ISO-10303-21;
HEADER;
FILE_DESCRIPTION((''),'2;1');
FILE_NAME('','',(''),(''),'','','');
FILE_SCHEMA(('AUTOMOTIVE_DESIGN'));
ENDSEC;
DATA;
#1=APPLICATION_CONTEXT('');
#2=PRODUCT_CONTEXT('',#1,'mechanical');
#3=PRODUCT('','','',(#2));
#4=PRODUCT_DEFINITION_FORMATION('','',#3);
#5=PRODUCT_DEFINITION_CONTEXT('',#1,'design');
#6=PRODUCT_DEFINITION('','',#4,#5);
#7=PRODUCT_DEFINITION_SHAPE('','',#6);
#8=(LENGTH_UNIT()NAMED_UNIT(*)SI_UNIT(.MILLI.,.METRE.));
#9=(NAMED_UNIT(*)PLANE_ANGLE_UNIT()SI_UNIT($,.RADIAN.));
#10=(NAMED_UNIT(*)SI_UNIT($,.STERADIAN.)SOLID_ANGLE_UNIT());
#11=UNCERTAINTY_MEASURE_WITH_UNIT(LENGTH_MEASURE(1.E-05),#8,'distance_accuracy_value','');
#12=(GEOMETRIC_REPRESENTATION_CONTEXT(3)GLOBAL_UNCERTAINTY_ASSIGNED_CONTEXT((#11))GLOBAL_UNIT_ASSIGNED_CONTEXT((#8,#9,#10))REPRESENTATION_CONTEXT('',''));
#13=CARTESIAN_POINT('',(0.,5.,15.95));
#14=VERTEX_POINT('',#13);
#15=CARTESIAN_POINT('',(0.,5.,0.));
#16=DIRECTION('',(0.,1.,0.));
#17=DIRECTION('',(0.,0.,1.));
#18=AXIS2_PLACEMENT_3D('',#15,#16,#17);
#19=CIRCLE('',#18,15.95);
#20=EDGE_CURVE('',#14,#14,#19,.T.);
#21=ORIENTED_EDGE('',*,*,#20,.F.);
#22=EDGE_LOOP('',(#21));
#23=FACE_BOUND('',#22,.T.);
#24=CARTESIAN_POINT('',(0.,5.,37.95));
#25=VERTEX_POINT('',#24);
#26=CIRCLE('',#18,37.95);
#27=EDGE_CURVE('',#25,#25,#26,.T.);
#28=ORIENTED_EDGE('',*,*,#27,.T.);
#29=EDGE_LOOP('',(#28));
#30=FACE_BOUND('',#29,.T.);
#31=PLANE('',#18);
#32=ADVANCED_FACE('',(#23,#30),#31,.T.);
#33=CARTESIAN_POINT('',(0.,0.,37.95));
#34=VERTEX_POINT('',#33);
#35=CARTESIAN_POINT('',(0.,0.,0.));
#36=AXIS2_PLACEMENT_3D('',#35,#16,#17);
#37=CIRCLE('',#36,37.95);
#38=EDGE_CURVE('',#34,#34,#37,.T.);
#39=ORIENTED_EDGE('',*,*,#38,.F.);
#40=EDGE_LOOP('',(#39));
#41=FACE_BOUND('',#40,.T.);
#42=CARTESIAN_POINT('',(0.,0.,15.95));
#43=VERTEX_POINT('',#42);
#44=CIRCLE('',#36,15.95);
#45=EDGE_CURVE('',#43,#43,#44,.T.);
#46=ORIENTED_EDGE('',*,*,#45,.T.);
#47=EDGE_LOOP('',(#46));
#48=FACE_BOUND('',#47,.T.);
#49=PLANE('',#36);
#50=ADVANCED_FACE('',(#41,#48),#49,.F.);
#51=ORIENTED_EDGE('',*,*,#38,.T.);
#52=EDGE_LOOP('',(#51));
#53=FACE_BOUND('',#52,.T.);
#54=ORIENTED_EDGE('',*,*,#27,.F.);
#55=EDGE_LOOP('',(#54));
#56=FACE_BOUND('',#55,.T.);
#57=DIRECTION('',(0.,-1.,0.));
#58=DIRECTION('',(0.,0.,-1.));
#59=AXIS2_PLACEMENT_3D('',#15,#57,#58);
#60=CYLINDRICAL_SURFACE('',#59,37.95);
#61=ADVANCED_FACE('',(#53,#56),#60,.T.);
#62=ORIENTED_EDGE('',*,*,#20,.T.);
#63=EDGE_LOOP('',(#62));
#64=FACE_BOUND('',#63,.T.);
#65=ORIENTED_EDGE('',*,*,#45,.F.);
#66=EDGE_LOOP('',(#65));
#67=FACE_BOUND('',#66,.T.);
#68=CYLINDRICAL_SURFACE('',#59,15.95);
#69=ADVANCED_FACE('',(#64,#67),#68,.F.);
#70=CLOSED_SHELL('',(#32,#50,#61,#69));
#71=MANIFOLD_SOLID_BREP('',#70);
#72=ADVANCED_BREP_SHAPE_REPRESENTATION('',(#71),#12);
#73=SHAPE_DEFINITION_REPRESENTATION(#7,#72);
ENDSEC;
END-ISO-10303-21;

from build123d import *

# Parameters (mm, degrees)
SKETCH1_R           = 37.95
SKETCH1_R_2         = 15.95
BOSS_EXTRUDE1_DEPTH = 5


with BuildPart() as part:
    # Sketch1 → Boss-Extrude1 (new body)
    with BuildSketch(Plane(origin=(0, 0, 0), x_dir=(1, 0, 0), z_dir=(0, 1, 0))):
        with Locations(Location((0, 0, 0), (0, 0, 270))):
            Circle(SKETCH1_R)
        with Locations(Location((0, 0, 0), (0, 0, 270))):
            Circle(SKETCH1_R_2, mode=Mode.SUBTRACT)
    extrude(amount=BOSS_EXTRUDE1_DEPTH)


solid = part.part
